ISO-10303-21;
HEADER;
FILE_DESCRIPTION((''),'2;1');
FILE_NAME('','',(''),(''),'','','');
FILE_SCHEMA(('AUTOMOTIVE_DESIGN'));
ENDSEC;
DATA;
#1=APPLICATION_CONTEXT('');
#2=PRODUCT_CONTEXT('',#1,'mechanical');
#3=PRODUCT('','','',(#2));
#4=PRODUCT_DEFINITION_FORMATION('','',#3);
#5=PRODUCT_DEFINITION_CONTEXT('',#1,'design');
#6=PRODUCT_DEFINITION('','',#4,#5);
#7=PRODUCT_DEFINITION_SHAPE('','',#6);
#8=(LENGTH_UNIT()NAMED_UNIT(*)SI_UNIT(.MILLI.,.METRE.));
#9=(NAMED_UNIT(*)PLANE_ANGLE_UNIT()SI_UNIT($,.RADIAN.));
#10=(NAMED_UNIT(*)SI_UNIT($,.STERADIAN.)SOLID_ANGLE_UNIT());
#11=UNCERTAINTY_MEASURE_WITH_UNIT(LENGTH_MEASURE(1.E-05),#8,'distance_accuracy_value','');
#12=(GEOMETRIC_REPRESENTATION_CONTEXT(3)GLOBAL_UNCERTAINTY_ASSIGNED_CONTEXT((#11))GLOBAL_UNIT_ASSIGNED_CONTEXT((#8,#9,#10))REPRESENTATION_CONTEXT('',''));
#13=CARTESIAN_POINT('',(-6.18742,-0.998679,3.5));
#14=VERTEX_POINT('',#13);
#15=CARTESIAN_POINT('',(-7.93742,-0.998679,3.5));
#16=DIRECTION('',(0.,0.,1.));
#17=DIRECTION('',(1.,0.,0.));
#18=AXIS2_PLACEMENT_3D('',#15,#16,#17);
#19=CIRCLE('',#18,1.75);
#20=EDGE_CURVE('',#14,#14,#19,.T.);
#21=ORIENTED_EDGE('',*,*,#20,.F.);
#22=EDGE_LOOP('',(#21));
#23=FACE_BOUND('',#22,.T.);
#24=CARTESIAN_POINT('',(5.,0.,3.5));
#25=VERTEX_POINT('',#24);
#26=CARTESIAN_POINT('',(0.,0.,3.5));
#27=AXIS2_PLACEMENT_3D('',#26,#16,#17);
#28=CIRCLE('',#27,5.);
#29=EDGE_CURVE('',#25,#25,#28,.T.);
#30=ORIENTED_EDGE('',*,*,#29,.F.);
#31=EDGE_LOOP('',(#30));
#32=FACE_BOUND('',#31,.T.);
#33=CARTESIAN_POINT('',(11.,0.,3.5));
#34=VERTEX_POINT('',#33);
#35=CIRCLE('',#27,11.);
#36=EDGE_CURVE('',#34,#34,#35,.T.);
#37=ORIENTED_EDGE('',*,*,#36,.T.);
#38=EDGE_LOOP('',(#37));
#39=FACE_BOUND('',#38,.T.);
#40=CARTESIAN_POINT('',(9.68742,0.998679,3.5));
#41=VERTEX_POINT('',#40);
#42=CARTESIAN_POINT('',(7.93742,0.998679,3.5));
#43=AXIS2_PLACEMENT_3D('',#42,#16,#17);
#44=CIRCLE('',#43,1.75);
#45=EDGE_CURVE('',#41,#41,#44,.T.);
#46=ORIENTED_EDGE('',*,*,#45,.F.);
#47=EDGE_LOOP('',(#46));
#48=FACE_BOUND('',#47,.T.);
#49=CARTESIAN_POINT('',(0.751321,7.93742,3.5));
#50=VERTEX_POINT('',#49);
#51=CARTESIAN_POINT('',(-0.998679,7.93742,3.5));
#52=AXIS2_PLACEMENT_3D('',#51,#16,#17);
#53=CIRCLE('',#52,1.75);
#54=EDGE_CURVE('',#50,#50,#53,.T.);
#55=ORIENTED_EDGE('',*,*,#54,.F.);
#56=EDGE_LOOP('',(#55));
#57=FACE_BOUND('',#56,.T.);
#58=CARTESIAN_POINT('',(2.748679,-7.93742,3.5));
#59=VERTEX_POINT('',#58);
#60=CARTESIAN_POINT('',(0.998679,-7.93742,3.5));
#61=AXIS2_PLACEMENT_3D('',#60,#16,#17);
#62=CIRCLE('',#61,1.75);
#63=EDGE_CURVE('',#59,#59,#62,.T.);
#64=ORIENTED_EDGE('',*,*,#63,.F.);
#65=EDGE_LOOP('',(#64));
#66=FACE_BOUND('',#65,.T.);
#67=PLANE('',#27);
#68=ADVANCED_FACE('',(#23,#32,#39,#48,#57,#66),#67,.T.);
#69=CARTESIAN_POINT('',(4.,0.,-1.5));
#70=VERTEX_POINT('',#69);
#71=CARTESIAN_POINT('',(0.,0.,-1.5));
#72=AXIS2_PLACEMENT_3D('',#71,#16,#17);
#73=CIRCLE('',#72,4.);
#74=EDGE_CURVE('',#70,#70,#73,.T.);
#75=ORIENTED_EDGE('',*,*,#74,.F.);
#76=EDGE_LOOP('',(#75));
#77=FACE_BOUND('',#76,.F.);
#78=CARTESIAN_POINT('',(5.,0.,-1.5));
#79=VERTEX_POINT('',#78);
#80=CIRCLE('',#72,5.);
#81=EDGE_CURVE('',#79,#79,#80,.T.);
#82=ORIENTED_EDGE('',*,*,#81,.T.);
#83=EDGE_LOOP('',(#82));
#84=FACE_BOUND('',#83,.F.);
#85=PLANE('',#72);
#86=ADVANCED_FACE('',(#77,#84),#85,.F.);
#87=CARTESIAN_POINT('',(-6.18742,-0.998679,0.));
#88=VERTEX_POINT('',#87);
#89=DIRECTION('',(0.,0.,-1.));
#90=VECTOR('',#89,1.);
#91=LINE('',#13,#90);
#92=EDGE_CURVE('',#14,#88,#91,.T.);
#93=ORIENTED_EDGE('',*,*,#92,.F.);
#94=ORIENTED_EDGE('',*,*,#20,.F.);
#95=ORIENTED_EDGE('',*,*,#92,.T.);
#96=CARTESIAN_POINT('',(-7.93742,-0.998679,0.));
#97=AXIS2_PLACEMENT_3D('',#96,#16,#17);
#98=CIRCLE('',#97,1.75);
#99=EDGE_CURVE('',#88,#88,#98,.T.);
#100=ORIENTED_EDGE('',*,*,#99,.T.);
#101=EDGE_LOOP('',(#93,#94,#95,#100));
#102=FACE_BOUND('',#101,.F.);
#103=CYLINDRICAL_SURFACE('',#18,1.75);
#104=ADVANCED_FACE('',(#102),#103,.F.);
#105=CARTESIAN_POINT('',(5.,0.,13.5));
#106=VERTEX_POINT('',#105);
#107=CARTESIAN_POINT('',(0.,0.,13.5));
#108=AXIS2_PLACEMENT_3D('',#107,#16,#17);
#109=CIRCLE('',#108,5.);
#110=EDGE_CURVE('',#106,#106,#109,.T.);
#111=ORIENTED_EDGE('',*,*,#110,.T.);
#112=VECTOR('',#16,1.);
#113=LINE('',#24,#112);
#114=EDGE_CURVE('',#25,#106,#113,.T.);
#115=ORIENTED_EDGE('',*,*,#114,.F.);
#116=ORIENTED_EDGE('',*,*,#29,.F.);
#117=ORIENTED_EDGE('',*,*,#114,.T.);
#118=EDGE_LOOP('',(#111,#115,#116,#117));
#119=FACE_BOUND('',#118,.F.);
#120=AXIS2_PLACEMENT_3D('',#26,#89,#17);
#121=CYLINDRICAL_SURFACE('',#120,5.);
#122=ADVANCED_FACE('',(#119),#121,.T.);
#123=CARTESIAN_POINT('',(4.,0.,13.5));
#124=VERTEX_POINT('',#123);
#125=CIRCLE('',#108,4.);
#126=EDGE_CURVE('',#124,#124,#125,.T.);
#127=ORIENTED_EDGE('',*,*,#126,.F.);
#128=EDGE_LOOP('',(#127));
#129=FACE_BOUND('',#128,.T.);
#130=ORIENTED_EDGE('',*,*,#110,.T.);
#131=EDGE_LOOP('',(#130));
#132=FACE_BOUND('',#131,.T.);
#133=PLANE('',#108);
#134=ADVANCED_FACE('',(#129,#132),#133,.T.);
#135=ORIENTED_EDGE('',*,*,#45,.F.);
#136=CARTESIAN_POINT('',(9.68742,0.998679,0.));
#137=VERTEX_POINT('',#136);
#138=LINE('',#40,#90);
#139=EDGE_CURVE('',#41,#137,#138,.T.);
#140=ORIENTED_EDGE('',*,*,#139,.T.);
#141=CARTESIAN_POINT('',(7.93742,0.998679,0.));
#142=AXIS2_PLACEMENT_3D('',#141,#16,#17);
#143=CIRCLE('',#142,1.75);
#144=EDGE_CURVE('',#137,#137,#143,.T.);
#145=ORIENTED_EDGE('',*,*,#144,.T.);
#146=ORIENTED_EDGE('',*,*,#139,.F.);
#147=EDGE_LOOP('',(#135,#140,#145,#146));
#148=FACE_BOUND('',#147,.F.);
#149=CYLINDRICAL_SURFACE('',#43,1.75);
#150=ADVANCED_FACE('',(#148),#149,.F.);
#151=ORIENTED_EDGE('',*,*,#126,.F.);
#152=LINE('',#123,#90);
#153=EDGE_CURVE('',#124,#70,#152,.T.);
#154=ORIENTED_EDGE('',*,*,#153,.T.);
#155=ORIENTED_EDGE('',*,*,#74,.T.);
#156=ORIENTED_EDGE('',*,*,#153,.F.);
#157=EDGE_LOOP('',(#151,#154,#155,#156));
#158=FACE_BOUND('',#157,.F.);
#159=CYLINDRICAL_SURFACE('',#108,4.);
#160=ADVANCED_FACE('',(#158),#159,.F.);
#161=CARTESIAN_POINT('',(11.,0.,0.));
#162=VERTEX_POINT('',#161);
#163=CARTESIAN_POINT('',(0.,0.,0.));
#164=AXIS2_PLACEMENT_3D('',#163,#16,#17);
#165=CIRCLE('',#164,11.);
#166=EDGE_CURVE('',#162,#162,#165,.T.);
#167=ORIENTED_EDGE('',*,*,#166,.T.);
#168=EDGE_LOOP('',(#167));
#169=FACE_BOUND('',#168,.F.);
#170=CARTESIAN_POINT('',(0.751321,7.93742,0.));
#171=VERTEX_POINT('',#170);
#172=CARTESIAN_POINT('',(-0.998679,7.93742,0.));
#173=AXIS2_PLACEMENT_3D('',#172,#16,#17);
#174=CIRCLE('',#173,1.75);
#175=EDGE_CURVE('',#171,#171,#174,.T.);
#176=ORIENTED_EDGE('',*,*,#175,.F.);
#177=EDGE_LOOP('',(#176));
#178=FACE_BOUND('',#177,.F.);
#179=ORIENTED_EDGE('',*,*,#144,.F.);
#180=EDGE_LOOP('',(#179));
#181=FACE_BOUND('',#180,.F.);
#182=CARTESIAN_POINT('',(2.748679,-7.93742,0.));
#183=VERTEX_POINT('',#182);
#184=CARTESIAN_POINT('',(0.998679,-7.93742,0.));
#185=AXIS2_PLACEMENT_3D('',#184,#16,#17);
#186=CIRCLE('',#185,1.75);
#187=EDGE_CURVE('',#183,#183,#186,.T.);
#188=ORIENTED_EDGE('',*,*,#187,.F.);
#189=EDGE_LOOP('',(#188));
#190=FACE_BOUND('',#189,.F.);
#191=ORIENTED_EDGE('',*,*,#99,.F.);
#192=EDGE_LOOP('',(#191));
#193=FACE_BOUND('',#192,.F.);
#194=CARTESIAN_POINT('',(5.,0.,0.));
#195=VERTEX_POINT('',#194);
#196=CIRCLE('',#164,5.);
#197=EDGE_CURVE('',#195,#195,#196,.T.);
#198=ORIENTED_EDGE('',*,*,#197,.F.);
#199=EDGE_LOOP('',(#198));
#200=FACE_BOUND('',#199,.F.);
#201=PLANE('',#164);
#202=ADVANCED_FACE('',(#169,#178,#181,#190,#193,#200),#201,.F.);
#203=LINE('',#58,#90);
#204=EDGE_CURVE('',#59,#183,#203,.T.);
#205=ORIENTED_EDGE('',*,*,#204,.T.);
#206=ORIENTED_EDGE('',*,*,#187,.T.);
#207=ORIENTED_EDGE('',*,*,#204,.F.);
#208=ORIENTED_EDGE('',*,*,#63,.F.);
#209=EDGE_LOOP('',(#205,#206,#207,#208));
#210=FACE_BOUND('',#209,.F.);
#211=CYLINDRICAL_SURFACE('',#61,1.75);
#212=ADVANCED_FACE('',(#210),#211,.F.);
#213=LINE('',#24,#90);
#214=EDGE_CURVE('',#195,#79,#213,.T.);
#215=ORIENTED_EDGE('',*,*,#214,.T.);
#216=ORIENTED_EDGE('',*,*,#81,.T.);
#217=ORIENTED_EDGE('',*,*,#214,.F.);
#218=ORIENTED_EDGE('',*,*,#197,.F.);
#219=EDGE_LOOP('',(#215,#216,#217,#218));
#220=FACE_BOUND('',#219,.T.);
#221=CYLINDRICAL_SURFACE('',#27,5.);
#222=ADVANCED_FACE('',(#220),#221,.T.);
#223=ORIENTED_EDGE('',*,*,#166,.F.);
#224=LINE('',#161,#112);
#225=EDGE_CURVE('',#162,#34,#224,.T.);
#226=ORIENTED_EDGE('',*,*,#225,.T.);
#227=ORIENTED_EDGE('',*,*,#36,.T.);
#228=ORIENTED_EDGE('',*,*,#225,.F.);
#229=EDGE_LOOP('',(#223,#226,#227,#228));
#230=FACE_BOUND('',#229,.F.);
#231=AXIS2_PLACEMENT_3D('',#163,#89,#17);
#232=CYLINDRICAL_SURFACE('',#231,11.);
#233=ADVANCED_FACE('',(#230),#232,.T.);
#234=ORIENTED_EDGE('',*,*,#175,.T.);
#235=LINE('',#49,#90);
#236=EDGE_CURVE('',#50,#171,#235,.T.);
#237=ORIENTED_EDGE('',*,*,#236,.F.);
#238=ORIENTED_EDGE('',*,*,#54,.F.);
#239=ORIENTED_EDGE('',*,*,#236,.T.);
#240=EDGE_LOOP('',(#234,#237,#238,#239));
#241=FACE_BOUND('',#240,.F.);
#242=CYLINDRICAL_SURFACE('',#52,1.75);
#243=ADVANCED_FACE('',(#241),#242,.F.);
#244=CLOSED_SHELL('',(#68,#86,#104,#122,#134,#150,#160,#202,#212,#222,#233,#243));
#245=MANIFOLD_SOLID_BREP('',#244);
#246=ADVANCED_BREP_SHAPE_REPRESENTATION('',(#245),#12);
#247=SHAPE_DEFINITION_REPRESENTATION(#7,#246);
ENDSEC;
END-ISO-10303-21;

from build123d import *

# Parameters (mm, degrees)
SKETCH_1_R           = 11
EXTRUDE_1_DEPTH      = 3.5
SKETCH_2_R           = 5
EXTRUDE_2_DEPTH      = 10
EXTRUDE_2_DEPTH_BACK = 5
SKETCH_3_R           = 4
CUT_EXTRUDE_1_DEPTH  = 16
SKETCH_4_R           = 1.75
CUT_EXTRUDE_2_DEPTH  = 6


with BuildPart() as part:
    # 草图1 → 凸台-拉伸1 (new body)
    with BuildSketch(Plane.XY):
        Circle(SKETCH_1_R)
    extrude(amount=EXTRUDE_1_DEPTH)

    # 草图2 → 凸台-拉伸2 (add, two sides)
    with BuildSketch(Plane.XY.offset(3.5)) as extrude_2_sk:
        Circle(SKETCH_2_R)
    extrude(amount=EXTRUDE_2_DEPTH)
    extrude(extrude_2_sk.sketch, amount=-EXTRUDE_2_DEPTH_BACK)

    # 草图3 → 切除-拉伸1 (cut, through all)
    with BuildSketch(Plane.XY.offset(13.5)):
        Circle(SKETCH_3_R)
    extrude(amount=-CUT_EXTRUDE_1_DEPTH, mode=Mode.SUBTRACT)

    # 草图4 → 切除-拉伸2 (cut, through all)
    with BuildSketch(Plane.XY.offset(3.5)):
        with Locations((-0.998679345, 7.937420209)):
            Circle(SKETCH_4_R)
        with Locations((7.937420209, 0.998679345)):
            Circle(SKETCH_4_R)
        with Locations((0.998679345, -7.937420209)):
            Circle(SKETCH_4_R)
        with Locations((-7.937420209, -0.998679345)):
            Circle(SKETCH_4_R)
    extrude(amount=-CUT_EXTRUDE_2_DEPTH, mode=Mode.SUBTRACT)


solid = part.part
